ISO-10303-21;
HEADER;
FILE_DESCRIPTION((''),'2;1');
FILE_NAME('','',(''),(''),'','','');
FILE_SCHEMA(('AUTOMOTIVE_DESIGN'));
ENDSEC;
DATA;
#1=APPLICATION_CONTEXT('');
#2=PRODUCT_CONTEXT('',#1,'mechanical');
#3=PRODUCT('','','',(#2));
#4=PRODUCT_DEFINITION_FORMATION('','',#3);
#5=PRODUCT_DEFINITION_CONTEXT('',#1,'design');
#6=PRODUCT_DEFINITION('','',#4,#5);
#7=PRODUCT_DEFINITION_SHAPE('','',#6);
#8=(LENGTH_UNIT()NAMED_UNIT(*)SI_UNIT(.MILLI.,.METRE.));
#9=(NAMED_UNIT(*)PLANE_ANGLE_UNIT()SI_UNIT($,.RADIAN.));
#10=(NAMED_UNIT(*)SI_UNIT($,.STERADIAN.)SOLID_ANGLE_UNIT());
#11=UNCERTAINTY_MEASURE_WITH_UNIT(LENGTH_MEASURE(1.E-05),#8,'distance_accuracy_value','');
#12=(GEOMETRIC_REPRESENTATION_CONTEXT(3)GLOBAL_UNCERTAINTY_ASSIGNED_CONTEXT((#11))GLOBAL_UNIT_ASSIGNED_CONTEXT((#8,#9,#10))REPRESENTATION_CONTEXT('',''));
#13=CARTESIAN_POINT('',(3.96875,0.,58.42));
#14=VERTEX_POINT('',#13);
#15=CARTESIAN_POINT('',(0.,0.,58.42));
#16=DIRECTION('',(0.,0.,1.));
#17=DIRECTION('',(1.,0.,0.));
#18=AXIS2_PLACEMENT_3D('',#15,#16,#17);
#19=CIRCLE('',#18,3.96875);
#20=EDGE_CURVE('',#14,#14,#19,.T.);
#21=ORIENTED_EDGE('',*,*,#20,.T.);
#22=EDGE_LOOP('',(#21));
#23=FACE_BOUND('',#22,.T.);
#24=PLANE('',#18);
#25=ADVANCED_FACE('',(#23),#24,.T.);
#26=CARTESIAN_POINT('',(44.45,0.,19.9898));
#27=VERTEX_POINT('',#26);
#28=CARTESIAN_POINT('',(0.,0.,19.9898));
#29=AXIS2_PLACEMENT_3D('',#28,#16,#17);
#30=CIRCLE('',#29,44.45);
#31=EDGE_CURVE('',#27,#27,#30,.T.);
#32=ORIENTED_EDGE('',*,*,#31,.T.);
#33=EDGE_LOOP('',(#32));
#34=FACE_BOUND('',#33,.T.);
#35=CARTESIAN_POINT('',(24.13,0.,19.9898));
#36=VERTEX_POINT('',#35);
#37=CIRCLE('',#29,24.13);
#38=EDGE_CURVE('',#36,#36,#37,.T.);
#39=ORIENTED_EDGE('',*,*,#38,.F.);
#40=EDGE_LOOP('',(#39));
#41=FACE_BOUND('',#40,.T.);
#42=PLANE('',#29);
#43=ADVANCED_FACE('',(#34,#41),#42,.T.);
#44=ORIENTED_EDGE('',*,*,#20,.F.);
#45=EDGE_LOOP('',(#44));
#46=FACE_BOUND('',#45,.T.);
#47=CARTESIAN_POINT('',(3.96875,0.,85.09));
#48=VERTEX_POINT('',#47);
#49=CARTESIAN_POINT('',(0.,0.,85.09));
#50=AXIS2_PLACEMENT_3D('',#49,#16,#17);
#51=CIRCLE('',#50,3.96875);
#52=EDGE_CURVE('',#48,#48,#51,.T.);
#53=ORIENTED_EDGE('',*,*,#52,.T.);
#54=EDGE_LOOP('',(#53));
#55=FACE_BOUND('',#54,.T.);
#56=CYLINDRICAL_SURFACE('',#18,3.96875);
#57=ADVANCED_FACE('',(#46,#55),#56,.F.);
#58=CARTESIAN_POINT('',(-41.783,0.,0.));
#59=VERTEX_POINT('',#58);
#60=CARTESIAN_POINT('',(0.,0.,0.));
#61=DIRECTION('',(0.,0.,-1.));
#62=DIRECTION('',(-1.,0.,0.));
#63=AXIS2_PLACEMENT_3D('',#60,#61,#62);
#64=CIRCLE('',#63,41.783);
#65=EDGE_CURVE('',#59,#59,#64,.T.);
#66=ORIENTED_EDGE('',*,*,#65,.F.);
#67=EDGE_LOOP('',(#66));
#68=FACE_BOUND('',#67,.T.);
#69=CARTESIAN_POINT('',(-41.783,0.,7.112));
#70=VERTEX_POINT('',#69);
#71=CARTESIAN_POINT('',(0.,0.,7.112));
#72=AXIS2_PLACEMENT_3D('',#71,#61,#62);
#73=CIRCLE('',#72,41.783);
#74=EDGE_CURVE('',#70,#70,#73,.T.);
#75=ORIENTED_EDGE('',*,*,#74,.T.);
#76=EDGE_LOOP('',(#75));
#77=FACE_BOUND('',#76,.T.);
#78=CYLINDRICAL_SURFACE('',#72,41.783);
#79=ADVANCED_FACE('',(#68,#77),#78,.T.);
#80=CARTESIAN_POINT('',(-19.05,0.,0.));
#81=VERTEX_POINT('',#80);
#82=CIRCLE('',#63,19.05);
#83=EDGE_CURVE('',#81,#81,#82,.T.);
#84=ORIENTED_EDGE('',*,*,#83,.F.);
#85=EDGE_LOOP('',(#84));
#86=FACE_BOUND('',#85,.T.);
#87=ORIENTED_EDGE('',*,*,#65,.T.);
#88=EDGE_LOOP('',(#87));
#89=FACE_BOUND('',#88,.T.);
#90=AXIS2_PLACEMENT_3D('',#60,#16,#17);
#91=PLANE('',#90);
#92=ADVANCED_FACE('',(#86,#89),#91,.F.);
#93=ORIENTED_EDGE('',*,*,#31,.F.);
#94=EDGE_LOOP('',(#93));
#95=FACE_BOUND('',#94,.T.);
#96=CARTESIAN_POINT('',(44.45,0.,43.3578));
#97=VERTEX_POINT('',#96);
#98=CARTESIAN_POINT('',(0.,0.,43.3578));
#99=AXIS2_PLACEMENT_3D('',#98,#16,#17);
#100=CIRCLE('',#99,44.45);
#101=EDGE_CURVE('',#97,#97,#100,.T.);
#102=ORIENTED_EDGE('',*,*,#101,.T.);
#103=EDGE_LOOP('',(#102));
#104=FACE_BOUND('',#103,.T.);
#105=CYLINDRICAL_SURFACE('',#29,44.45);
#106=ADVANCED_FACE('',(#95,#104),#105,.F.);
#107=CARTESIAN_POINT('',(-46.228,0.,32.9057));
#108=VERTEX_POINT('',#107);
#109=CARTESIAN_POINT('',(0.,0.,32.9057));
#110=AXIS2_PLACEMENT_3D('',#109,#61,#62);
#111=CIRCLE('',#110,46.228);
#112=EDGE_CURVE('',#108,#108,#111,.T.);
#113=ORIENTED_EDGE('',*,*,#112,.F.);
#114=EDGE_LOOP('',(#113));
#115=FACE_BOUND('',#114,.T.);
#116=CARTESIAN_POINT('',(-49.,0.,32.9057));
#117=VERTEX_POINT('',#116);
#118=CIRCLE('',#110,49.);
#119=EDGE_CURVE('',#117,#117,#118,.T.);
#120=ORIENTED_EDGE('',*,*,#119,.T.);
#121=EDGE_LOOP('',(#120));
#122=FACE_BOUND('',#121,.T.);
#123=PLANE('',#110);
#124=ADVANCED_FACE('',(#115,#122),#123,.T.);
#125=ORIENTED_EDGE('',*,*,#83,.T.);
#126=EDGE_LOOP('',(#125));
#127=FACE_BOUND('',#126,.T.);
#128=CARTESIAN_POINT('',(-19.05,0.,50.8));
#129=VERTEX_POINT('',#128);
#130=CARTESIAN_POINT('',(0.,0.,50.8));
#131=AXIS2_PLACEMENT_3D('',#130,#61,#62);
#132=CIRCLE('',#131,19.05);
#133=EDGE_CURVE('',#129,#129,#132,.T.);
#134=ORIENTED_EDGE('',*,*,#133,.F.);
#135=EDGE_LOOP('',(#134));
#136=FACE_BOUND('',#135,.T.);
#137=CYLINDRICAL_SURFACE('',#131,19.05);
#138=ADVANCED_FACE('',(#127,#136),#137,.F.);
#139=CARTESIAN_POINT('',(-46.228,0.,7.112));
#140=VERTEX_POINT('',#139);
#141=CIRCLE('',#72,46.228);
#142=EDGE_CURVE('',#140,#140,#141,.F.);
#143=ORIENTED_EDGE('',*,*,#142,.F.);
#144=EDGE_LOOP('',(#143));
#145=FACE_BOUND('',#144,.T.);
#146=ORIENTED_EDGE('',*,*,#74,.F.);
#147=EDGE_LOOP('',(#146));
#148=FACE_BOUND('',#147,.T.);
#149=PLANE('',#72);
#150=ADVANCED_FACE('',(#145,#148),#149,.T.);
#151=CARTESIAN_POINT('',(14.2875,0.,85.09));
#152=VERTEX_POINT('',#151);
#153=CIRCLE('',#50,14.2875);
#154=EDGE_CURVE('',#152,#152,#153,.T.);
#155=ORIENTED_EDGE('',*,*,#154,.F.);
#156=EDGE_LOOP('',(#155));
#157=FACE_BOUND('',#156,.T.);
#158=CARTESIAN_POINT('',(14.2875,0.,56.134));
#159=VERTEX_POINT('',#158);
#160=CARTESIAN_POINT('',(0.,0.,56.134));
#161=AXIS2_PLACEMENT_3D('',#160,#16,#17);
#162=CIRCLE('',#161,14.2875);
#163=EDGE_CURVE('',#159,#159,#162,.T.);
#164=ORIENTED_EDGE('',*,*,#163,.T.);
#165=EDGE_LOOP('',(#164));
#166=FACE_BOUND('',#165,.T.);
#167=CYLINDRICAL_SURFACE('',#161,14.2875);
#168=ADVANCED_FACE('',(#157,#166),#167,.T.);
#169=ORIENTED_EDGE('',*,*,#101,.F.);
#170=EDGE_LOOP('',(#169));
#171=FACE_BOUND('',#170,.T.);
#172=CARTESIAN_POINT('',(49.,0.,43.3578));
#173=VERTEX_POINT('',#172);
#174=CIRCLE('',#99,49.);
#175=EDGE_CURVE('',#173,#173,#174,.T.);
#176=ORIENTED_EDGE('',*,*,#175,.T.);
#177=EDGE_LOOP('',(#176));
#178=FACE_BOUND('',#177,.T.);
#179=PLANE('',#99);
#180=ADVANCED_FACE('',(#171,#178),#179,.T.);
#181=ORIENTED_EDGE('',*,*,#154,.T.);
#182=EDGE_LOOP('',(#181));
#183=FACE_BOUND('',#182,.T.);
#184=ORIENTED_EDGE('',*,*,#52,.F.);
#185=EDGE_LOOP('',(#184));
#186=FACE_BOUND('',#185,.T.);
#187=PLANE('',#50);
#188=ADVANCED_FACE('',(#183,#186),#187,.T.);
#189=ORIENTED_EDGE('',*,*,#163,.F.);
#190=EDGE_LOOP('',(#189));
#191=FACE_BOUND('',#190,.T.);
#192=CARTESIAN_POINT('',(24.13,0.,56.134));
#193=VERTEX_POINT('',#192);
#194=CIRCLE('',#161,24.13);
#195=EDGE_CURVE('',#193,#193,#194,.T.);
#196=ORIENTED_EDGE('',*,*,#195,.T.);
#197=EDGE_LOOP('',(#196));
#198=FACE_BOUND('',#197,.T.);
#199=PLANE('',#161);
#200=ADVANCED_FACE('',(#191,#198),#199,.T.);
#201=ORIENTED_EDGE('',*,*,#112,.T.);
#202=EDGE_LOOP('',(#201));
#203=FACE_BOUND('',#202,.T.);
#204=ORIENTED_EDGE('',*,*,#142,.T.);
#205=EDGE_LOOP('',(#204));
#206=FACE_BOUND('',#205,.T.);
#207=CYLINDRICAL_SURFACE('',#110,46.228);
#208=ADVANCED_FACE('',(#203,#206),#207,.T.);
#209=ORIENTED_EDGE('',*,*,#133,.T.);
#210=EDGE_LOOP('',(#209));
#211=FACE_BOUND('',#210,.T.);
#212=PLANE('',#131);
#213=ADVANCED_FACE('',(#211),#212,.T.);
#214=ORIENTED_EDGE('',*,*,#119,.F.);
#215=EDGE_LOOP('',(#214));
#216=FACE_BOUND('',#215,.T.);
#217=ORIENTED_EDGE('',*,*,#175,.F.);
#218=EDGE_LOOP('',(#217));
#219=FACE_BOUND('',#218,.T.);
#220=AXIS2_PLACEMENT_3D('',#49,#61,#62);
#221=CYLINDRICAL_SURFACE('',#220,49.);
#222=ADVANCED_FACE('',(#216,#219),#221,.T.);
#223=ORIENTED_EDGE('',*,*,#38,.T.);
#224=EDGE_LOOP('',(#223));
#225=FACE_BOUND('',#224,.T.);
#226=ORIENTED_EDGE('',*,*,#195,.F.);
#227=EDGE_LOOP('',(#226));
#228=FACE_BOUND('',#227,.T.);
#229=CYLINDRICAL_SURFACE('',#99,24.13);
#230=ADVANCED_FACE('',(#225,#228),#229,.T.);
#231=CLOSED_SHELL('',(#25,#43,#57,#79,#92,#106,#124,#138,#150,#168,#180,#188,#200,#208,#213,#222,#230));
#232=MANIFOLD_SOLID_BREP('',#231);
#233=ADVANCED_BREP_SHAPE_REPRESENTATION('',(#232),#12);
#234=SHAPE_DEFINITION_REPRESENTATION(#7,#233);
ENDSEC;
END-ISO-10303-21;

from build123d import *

# Parameters (mm, degrees)
SKETCH1_R         = 49
EXTRUDE1_DEPTH    = 85.09
SKETCH5_R         = 3.96875
EXTRUDE5_DEPTH    = 26.67
SKETCH2_OUTSIDE_W = 132.526
SKETCH2_OUTSIDE_H = 132.526
SKETCH2_OUTSIDE_R = 14.2875
EXTRUDE2_DEPTH    = 28.956
SKETCH3_OUTSIDE_W = 132.526
SKETCH3_OUTSIDE_H = 132.526
SKETCH3_OUTSIDE_R = 24.13
EXTRUDE3_DEPTH    = 12.7762
SKETCH4_OUTSIDE_W = 132.526
SKETCH4_OUTSIDE_H = 132.526
SKETCH4_OUTSIDE_R = 46.228
EXTRUDE4_DEPTH    = 32.9057
SKETCH6_R         = 44.45
SKETCH6_R_2       = 24.13
EXTRUDE8_DEPTH    = 23.368
SKETCH7_R         = 19.05
EXTRUDE9_DEPTH    = 50.8
SKETCH8_OUTSIDE_W = 132.526
SKETCH8_OUTSIDE_H = 132.526
SKETCH8_OUTSIDE_R = 41.783
EXTRUDE10_DEPTH   = 7.112


with BuildPart() as part:
    # Sketch1 → Extrude1 (new body)
    with BuildSketch(Plane.XY):
        Circle(SKETCH1_R)
    extrude(amount=EXTRUDE1_DEPTH)

    # Sketch5 → Extrude5 (cut)
    with BuildSketch(Plane.XY.offset(85.09)):
        Circle(SKETCH5_R)
    extrude(amount=-EXTRUDE5_DEPTH, mode=Mode.SUBTRACT)

    # Sketch2 outside → Extrude2 (cut)
    with BuildSketch(Plane.XY.offset(85.09)):
        Rectangle(SKETCH2_OUTSIDE_W, SKETCH2_OUTSIDE_H)
        Circle(SKETCH2_OUTSIDE_R, mode=Mode.SUBTRACT)
    extrude(amount=-EXTRUDE2_DEPTH, mode=Mode.SUBTRACT)

    # Sketch3 outside → Extrude3 (cut)
    with BuildSketch(Plane.XY.offset(56.134)):
        Rectangle(SKETCH3_OUTSIDE_W, SKETCH3_OUTSIDE_H)
        Circle(SKETCH3_OUTSIDE_R, mode=Mode.SUBTRACT)
    extrude(amount=-EXTRUDE3_DEPTH, mode=Mode.SUBTRACT)

    # Sketch4 outside → Extrude4 (cut)
    with BuildSketch(Plane(origin=(0, 0, 0), x_dir=(-1, 0, 0), z_dir=(0, 0, -1))):
        Rectangle(SKETCH4_OUTSIDE_W, SKETCH4_OUTSIDE_H)
        Circle(SKETCH4_OUTSIDE_R, mode=Mode.SUBTRACT)
    extrude(amount=-EXTRUDE4_DEPTH, mode=Mode.SUBTRACT)

    # Sketch6 → Extrude8 (cut)
    with BuildSketch(Plane.XY.offset(43.3578)):
        Circle(SKETCH6_R)
        Circle(SKETCH6_R_2, mode=Mode.SUBTRACT)
    extrude(amount=-EXTRUDE8_DEPTH, mode=Mode.SUBTRACT)

    # Sketch7 → Extrude9 (cut)
    with BuildSketch(Plane(origin=(0, 0, 0), x_dir=(-1, 0, 0), z_dir=(0, 0, -1))):
        Circle(SKETCH7_R)
    extrude(amount=-EXTRUDE9_DEPTH, mode=Mode.SUBTRACT)

    # Sketch8 outside → Extrude10 (cut)
    with BuildSketch(Plane(origin=(0, 0, 0), x_dir=(-1, 0, 0), z_dir=(0, 0, -1))):
        Rectangle(SKETCH8_OUTSIDE_W, SKETCH8_OUTSIDE_H)
        Circle(SKETCH8_OUTSIDE_R, mode=Mode.SUBTRACT)
    extrude(amount=-EXTRUDE10_DEPTH, mode=Mode.SUBTRACT)


solid = part.part
